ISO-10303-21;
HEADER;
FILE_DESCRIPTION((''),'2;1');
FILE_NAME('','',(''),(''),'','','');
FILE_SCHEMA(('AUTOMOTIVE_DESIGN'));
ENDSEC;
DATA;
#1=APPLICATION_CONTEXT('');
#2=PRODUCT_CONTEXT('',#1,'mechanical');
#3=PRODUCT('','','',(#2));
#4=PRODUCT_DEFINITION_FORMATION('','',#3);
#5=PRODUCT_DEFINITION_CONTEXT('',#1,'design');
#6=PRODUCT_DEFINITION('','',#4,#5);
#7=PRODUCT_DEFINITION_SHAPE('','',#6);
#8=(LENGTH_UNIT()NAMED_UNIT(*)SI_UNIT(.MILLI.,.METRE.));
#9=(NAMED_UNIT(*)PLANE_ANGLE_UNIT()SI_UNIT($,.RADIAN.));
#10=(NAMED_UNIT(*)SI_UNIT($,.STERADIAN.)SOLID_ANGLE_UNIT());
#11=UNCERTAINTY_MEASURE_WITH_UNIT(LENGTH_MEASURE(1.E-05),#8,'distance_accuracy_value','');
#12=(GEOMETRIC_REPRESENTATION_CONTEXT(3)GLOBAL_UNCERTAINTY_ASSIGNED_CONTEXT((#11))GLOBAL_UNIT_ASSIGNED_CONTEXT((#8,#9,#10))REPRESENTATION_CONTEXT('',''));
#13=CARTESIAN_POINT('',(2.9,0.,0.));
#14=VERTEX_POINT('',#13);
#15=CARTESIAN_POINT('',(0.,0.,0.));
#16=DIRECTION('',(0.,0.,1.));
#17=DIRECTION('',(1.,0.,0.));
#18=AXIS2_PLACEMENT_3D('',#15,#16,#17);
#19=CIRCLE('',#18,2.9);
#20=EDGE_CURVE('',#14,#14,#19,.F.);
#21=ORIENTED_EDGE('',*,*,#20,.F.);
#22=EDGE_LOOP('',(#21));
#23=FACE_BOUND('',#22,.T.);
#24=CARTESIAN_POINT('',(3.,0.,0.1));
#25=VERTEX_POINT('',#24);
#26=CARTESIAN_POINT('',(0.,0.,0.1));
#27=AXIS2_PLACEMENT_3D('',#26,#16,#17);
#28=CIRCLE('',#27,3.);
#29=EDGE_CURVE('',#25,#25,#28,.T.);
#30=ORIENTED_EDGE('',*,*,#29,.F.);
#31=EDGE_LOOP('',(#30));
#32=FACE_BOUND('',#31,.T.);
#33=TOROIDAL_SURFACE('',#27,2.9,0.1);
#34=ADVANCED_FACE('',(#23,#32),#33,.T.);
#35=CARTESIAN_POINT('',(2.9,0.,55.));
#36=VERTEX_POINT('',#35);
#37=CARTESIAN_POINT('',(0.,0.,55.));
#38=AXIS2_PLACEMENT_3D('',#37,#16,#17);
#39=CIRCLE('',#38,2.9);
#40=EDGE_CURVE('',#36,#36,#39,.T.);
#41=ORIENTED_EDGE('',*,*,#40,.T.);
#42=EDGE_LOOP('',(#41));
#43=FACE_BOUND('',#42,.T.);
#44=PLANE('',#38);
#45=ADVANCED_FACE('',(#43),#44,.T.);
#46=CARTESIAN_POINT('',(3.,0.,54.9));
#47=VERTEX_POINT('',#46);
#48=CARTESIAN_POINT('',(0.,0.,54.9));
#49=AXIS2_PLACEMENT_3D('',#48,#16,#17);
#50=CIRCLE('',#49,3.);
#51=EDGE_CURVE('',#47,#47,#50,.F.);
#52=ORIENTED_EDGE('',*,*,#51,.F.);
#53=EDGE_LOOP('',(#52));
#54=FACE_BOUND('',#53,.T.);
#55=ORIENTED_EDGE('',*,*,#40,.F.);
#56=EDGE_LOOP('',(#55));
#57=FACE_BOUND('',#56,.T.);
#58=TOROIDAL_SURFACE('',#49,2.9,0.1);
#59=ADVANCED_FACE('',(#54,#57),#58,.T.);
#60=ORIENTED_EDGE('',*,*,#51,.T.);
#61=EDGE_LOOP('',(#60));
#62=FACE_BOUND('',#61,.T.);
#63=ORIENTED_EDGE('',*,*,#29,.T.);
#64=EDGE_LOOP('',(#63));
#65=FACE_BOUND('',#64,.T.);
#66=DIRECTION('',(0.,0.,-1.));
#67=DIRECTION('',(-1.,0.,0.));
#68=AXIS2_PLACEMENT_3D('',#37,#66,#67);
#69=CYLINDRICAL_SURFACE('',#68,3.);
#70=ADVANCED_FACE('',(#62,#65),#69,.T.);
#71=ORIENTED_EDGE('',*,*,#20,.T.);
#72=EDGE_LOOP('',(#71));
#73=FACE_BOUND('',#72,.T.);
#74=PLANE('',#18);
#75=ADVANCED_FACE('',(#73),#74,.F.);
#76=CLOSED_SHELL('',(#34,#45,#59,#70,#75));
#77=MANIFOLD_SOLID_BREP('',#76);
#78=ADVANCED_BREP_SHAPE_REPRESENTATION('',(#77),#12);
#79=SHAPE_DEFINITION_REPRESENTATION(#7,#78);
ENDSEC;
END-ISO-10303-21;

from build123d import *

# Parameters (mm, degrees)
SKETCH_1_R      = 3
EXTRUDE_1_DEPTH = 55
FILLET_1_R      = 0.1


with BuildPart() as part:
    # Эскиз1 → Бобышка-Вытянуть1 (new body)
    with BuildSketch(Plane.XY):
        Circle(SKETCH_1_R)
    extrude(amount=EXTRUDE_1_DEPTH)

    # Скругление1
    fillet_1_edges = [part.edges().sort_by_distance(p)[0] for p in [
        (-3, 0, 0),
        (-3, 0, 55),
    ]]
    fillet(fillet_1_edges, radius=FILLET_1_R)


solid = part.part
